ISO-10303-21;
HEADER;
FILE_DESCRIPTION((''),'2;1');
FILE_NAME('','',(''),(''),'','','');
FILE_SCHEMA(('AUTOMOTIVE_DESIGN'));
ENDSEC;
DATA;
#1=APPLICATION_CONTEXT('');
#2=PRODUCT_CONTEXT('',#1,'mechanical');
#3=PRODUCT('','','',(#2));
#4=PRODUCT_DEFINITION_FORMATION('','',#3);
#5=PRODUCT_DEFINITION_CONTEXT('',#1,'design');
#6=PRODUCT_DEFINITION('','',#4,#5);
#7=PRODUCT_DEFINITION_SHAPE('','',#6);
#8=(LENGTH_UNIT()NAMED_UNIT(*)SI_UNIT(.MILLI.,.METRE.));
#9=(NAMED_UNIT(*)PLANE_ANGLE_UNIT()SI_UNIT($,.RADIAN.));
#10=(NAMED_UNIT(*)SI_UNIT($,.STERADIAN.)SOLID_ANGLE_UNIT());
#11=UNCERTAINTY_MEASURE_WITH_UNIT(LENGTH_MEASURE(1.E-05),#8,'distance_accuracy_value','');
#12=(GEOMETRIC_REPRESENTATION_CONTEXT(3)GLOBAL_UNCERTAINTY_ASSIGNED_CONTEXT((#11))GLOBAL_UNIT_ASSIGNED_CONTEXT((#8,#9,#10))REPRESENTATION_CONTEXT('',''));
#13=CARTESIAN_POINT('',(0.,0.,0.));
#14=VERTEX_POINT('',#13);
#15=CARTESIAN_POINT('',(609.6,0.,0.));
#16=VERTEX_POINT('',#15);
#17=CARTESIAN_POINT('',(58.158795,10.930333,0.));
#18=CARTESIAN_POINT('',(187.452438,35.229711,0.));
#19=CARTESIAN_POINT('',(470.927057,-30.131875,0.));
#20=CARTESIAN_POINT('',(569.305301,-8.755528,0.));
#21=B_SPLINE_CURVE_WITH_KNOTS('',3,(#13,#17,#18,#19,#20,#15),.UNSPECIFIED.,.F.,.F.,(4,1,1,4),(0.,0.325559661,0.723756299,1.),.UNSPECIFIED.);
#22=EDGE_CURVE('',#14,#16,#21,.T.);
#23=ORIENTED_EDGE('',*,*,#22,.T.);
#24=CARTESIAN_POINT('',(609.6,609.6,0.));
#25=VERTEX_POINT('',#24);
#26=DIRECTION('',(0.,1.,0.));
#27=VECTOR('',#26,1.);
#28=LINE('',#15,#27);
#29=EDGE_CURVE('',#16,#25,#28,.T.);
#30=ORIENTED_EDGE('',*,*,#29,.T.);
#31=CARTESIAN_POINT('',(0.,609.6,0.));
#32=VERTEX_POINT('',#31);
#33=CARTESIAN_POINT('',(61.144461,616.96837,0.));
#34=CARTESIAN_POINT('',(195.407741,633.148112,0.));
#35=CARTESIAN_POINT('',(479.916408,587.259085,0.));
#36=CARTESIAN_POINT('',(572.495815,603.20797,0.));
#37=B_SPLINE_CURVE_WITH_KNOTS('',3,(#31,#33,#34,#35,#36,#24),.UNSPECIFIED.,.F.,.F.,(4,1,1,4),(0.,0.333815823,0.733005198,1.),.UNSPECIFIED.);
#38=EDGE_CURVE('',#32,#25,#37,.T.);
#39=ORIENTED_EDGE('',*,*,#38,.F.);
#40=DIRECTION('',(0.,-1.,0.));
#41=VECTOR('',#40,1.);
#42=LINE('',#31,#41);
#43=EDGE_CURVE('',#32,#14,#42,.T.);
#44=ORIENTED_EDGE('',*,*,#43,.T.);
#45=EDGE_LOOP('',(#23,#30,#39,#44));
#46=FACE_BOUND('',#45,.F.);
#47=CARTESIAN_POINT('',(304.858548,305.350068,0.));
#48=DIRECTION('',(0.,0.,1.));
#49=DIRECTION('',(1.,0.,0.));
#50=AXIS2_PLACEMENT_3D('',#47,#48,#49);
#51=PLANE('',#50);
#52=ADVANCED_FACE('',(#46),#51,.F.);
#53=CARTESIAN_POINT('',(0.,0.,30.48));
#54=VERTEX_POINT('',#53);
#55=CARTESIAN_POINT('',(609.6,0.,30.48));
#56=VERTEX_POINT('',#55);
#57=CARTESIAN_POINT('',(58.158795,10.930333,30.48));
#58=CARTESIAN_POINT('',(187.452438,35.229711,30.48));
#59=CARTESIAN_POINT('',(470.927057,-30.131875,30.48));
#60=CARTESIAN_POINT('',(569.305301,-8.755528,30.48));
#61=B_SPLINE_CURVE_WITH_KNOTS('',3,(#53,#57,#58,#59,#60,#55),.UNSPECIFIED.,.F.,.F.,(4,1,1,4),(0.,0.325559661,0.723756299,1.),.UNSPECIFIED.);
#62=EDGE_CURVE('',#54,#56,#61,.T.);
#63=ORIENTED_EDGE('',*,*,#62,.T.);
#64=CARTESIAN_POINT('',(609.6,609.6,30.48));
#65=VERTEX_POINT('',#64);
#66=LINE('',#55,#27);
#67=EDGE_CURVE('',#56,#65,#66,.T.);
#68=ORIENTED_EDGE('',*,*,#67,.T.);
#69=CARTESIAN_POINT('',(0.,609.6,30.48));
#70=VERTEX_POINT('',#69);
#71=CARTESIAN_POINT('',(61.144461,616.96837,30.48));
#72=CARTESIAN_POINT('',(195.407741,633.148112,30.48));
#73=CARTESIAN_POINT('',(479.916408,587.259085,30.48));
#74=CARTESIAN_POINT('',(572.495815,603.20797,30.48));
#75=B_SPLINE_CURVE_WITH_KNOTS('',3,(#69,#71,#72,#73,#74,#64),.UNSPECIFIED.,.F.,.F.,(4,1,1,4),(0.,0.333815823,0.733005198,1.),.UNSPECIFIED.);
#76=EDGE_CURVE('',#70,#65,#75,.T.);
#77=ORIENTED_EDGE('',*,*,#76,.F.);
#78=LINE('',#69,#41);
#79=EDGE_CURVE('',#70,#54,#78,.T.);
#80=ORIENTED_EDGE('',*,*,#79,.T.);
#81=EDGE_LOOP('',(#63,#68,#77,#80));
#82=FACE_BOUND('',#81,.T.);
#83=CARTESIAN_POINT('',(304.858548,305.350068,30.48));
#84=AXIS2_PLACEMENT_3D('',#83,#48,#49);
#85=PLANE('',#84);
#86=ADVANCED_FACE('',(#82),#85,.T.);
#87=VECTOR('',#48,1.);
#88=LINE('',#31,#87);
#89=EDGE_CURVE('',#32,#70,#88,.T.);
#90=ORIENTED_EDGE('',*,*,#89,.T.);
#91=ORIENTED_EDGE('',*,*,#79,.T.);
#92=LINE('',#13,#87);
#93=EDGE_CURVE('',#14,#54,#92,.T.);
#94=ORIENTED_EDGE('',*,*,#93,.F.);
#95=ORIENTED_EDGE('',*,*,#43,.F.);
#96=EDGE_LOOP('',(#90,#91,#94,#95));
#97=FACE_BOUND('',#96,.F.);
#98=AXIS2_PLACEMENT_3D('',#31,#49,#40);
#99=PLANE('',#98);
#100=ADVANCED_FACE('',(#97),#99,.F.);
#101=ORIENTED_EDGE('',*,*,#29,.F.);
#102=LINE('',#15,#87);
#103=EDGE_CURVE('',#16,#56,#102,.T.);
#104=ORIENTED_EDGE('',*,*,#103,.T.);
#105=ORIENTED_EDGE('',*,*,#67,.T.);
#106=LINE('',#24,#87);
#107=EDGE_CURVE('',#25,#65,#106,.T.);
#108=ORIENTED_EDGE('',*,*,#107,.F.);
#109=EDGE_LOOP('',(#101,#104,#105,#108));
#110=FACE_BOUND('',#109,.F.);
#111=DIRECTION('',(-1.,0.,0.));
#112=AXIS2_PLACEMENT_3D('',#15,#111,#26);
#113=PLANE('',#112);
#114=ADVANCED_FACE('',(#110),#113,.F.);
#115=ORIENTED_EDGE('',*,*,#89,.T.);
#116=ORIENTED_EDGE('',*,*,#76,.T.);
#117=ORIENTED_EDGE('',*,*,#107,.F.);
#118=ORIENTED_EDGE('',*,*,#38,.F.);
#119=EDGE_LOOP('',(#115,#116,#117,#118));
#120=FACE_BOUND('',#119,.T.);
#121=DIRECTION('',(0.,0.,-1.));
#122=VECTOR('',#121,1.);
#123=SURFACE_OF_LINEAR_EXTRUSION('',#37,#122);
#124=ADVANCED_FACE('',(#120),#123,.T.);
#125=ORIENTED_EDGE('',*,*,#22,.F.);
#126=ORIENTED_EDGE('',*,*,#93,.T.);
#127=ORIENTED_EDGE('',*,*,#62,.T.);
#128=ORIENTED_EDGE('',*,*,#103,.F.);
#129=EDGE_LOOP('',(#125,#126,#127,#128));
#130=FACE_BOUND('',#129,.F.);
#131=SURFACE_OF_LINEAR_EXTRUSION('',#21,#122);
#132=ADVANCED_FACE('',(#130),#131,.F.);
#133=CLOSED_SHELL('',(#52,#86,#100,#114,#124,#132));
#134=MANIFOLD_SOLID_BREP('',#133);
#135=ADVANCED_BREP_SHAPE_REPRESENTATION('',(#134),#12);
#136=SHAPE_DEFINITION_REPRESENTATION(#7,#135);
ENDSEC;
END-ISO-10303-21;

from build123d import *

# Parameters (mm, degrees)
F1_DEPTH = 30.48


with BuildPart() as f1:
    # F0 (on Top) → F1 (new body)
    with BuildSketch(Plane.XY):
        with BuildLine():
            Line((0, 609.6), (0, 0))
            add(Edge.make_bspline(
                [(0, 0), (58.1587952291, 10.9303328651), (187.4524375055, 35.229710833), (470.9270569581, -30.1318754598), (569.3053011806, -8.7555280784), (609.6, 0)],
                knots=[0, 0, 0, 0, 0.3255596611, 0.7237562985, 1, 1, 1, 1], degree=3))
            Line((609.6, 0), (609.6, 609.6))
            add(Edge.make_bspline(
                [(0, 609.6), (61.1444605806, 616.9683704557), (195.4077409625, 633.1481123171), (479.9164076585, 587.2590846289), (572.4958154312, 603.2079697331), (609.6, 609.6)],
                knots=[0, 0, 0, 0, 0.3338158229, 0.7330051978, 1, 1, 1, 1], degree=3))
        make_face()
    extrude(amount=F1_DEPTH)


solid = f1.part
